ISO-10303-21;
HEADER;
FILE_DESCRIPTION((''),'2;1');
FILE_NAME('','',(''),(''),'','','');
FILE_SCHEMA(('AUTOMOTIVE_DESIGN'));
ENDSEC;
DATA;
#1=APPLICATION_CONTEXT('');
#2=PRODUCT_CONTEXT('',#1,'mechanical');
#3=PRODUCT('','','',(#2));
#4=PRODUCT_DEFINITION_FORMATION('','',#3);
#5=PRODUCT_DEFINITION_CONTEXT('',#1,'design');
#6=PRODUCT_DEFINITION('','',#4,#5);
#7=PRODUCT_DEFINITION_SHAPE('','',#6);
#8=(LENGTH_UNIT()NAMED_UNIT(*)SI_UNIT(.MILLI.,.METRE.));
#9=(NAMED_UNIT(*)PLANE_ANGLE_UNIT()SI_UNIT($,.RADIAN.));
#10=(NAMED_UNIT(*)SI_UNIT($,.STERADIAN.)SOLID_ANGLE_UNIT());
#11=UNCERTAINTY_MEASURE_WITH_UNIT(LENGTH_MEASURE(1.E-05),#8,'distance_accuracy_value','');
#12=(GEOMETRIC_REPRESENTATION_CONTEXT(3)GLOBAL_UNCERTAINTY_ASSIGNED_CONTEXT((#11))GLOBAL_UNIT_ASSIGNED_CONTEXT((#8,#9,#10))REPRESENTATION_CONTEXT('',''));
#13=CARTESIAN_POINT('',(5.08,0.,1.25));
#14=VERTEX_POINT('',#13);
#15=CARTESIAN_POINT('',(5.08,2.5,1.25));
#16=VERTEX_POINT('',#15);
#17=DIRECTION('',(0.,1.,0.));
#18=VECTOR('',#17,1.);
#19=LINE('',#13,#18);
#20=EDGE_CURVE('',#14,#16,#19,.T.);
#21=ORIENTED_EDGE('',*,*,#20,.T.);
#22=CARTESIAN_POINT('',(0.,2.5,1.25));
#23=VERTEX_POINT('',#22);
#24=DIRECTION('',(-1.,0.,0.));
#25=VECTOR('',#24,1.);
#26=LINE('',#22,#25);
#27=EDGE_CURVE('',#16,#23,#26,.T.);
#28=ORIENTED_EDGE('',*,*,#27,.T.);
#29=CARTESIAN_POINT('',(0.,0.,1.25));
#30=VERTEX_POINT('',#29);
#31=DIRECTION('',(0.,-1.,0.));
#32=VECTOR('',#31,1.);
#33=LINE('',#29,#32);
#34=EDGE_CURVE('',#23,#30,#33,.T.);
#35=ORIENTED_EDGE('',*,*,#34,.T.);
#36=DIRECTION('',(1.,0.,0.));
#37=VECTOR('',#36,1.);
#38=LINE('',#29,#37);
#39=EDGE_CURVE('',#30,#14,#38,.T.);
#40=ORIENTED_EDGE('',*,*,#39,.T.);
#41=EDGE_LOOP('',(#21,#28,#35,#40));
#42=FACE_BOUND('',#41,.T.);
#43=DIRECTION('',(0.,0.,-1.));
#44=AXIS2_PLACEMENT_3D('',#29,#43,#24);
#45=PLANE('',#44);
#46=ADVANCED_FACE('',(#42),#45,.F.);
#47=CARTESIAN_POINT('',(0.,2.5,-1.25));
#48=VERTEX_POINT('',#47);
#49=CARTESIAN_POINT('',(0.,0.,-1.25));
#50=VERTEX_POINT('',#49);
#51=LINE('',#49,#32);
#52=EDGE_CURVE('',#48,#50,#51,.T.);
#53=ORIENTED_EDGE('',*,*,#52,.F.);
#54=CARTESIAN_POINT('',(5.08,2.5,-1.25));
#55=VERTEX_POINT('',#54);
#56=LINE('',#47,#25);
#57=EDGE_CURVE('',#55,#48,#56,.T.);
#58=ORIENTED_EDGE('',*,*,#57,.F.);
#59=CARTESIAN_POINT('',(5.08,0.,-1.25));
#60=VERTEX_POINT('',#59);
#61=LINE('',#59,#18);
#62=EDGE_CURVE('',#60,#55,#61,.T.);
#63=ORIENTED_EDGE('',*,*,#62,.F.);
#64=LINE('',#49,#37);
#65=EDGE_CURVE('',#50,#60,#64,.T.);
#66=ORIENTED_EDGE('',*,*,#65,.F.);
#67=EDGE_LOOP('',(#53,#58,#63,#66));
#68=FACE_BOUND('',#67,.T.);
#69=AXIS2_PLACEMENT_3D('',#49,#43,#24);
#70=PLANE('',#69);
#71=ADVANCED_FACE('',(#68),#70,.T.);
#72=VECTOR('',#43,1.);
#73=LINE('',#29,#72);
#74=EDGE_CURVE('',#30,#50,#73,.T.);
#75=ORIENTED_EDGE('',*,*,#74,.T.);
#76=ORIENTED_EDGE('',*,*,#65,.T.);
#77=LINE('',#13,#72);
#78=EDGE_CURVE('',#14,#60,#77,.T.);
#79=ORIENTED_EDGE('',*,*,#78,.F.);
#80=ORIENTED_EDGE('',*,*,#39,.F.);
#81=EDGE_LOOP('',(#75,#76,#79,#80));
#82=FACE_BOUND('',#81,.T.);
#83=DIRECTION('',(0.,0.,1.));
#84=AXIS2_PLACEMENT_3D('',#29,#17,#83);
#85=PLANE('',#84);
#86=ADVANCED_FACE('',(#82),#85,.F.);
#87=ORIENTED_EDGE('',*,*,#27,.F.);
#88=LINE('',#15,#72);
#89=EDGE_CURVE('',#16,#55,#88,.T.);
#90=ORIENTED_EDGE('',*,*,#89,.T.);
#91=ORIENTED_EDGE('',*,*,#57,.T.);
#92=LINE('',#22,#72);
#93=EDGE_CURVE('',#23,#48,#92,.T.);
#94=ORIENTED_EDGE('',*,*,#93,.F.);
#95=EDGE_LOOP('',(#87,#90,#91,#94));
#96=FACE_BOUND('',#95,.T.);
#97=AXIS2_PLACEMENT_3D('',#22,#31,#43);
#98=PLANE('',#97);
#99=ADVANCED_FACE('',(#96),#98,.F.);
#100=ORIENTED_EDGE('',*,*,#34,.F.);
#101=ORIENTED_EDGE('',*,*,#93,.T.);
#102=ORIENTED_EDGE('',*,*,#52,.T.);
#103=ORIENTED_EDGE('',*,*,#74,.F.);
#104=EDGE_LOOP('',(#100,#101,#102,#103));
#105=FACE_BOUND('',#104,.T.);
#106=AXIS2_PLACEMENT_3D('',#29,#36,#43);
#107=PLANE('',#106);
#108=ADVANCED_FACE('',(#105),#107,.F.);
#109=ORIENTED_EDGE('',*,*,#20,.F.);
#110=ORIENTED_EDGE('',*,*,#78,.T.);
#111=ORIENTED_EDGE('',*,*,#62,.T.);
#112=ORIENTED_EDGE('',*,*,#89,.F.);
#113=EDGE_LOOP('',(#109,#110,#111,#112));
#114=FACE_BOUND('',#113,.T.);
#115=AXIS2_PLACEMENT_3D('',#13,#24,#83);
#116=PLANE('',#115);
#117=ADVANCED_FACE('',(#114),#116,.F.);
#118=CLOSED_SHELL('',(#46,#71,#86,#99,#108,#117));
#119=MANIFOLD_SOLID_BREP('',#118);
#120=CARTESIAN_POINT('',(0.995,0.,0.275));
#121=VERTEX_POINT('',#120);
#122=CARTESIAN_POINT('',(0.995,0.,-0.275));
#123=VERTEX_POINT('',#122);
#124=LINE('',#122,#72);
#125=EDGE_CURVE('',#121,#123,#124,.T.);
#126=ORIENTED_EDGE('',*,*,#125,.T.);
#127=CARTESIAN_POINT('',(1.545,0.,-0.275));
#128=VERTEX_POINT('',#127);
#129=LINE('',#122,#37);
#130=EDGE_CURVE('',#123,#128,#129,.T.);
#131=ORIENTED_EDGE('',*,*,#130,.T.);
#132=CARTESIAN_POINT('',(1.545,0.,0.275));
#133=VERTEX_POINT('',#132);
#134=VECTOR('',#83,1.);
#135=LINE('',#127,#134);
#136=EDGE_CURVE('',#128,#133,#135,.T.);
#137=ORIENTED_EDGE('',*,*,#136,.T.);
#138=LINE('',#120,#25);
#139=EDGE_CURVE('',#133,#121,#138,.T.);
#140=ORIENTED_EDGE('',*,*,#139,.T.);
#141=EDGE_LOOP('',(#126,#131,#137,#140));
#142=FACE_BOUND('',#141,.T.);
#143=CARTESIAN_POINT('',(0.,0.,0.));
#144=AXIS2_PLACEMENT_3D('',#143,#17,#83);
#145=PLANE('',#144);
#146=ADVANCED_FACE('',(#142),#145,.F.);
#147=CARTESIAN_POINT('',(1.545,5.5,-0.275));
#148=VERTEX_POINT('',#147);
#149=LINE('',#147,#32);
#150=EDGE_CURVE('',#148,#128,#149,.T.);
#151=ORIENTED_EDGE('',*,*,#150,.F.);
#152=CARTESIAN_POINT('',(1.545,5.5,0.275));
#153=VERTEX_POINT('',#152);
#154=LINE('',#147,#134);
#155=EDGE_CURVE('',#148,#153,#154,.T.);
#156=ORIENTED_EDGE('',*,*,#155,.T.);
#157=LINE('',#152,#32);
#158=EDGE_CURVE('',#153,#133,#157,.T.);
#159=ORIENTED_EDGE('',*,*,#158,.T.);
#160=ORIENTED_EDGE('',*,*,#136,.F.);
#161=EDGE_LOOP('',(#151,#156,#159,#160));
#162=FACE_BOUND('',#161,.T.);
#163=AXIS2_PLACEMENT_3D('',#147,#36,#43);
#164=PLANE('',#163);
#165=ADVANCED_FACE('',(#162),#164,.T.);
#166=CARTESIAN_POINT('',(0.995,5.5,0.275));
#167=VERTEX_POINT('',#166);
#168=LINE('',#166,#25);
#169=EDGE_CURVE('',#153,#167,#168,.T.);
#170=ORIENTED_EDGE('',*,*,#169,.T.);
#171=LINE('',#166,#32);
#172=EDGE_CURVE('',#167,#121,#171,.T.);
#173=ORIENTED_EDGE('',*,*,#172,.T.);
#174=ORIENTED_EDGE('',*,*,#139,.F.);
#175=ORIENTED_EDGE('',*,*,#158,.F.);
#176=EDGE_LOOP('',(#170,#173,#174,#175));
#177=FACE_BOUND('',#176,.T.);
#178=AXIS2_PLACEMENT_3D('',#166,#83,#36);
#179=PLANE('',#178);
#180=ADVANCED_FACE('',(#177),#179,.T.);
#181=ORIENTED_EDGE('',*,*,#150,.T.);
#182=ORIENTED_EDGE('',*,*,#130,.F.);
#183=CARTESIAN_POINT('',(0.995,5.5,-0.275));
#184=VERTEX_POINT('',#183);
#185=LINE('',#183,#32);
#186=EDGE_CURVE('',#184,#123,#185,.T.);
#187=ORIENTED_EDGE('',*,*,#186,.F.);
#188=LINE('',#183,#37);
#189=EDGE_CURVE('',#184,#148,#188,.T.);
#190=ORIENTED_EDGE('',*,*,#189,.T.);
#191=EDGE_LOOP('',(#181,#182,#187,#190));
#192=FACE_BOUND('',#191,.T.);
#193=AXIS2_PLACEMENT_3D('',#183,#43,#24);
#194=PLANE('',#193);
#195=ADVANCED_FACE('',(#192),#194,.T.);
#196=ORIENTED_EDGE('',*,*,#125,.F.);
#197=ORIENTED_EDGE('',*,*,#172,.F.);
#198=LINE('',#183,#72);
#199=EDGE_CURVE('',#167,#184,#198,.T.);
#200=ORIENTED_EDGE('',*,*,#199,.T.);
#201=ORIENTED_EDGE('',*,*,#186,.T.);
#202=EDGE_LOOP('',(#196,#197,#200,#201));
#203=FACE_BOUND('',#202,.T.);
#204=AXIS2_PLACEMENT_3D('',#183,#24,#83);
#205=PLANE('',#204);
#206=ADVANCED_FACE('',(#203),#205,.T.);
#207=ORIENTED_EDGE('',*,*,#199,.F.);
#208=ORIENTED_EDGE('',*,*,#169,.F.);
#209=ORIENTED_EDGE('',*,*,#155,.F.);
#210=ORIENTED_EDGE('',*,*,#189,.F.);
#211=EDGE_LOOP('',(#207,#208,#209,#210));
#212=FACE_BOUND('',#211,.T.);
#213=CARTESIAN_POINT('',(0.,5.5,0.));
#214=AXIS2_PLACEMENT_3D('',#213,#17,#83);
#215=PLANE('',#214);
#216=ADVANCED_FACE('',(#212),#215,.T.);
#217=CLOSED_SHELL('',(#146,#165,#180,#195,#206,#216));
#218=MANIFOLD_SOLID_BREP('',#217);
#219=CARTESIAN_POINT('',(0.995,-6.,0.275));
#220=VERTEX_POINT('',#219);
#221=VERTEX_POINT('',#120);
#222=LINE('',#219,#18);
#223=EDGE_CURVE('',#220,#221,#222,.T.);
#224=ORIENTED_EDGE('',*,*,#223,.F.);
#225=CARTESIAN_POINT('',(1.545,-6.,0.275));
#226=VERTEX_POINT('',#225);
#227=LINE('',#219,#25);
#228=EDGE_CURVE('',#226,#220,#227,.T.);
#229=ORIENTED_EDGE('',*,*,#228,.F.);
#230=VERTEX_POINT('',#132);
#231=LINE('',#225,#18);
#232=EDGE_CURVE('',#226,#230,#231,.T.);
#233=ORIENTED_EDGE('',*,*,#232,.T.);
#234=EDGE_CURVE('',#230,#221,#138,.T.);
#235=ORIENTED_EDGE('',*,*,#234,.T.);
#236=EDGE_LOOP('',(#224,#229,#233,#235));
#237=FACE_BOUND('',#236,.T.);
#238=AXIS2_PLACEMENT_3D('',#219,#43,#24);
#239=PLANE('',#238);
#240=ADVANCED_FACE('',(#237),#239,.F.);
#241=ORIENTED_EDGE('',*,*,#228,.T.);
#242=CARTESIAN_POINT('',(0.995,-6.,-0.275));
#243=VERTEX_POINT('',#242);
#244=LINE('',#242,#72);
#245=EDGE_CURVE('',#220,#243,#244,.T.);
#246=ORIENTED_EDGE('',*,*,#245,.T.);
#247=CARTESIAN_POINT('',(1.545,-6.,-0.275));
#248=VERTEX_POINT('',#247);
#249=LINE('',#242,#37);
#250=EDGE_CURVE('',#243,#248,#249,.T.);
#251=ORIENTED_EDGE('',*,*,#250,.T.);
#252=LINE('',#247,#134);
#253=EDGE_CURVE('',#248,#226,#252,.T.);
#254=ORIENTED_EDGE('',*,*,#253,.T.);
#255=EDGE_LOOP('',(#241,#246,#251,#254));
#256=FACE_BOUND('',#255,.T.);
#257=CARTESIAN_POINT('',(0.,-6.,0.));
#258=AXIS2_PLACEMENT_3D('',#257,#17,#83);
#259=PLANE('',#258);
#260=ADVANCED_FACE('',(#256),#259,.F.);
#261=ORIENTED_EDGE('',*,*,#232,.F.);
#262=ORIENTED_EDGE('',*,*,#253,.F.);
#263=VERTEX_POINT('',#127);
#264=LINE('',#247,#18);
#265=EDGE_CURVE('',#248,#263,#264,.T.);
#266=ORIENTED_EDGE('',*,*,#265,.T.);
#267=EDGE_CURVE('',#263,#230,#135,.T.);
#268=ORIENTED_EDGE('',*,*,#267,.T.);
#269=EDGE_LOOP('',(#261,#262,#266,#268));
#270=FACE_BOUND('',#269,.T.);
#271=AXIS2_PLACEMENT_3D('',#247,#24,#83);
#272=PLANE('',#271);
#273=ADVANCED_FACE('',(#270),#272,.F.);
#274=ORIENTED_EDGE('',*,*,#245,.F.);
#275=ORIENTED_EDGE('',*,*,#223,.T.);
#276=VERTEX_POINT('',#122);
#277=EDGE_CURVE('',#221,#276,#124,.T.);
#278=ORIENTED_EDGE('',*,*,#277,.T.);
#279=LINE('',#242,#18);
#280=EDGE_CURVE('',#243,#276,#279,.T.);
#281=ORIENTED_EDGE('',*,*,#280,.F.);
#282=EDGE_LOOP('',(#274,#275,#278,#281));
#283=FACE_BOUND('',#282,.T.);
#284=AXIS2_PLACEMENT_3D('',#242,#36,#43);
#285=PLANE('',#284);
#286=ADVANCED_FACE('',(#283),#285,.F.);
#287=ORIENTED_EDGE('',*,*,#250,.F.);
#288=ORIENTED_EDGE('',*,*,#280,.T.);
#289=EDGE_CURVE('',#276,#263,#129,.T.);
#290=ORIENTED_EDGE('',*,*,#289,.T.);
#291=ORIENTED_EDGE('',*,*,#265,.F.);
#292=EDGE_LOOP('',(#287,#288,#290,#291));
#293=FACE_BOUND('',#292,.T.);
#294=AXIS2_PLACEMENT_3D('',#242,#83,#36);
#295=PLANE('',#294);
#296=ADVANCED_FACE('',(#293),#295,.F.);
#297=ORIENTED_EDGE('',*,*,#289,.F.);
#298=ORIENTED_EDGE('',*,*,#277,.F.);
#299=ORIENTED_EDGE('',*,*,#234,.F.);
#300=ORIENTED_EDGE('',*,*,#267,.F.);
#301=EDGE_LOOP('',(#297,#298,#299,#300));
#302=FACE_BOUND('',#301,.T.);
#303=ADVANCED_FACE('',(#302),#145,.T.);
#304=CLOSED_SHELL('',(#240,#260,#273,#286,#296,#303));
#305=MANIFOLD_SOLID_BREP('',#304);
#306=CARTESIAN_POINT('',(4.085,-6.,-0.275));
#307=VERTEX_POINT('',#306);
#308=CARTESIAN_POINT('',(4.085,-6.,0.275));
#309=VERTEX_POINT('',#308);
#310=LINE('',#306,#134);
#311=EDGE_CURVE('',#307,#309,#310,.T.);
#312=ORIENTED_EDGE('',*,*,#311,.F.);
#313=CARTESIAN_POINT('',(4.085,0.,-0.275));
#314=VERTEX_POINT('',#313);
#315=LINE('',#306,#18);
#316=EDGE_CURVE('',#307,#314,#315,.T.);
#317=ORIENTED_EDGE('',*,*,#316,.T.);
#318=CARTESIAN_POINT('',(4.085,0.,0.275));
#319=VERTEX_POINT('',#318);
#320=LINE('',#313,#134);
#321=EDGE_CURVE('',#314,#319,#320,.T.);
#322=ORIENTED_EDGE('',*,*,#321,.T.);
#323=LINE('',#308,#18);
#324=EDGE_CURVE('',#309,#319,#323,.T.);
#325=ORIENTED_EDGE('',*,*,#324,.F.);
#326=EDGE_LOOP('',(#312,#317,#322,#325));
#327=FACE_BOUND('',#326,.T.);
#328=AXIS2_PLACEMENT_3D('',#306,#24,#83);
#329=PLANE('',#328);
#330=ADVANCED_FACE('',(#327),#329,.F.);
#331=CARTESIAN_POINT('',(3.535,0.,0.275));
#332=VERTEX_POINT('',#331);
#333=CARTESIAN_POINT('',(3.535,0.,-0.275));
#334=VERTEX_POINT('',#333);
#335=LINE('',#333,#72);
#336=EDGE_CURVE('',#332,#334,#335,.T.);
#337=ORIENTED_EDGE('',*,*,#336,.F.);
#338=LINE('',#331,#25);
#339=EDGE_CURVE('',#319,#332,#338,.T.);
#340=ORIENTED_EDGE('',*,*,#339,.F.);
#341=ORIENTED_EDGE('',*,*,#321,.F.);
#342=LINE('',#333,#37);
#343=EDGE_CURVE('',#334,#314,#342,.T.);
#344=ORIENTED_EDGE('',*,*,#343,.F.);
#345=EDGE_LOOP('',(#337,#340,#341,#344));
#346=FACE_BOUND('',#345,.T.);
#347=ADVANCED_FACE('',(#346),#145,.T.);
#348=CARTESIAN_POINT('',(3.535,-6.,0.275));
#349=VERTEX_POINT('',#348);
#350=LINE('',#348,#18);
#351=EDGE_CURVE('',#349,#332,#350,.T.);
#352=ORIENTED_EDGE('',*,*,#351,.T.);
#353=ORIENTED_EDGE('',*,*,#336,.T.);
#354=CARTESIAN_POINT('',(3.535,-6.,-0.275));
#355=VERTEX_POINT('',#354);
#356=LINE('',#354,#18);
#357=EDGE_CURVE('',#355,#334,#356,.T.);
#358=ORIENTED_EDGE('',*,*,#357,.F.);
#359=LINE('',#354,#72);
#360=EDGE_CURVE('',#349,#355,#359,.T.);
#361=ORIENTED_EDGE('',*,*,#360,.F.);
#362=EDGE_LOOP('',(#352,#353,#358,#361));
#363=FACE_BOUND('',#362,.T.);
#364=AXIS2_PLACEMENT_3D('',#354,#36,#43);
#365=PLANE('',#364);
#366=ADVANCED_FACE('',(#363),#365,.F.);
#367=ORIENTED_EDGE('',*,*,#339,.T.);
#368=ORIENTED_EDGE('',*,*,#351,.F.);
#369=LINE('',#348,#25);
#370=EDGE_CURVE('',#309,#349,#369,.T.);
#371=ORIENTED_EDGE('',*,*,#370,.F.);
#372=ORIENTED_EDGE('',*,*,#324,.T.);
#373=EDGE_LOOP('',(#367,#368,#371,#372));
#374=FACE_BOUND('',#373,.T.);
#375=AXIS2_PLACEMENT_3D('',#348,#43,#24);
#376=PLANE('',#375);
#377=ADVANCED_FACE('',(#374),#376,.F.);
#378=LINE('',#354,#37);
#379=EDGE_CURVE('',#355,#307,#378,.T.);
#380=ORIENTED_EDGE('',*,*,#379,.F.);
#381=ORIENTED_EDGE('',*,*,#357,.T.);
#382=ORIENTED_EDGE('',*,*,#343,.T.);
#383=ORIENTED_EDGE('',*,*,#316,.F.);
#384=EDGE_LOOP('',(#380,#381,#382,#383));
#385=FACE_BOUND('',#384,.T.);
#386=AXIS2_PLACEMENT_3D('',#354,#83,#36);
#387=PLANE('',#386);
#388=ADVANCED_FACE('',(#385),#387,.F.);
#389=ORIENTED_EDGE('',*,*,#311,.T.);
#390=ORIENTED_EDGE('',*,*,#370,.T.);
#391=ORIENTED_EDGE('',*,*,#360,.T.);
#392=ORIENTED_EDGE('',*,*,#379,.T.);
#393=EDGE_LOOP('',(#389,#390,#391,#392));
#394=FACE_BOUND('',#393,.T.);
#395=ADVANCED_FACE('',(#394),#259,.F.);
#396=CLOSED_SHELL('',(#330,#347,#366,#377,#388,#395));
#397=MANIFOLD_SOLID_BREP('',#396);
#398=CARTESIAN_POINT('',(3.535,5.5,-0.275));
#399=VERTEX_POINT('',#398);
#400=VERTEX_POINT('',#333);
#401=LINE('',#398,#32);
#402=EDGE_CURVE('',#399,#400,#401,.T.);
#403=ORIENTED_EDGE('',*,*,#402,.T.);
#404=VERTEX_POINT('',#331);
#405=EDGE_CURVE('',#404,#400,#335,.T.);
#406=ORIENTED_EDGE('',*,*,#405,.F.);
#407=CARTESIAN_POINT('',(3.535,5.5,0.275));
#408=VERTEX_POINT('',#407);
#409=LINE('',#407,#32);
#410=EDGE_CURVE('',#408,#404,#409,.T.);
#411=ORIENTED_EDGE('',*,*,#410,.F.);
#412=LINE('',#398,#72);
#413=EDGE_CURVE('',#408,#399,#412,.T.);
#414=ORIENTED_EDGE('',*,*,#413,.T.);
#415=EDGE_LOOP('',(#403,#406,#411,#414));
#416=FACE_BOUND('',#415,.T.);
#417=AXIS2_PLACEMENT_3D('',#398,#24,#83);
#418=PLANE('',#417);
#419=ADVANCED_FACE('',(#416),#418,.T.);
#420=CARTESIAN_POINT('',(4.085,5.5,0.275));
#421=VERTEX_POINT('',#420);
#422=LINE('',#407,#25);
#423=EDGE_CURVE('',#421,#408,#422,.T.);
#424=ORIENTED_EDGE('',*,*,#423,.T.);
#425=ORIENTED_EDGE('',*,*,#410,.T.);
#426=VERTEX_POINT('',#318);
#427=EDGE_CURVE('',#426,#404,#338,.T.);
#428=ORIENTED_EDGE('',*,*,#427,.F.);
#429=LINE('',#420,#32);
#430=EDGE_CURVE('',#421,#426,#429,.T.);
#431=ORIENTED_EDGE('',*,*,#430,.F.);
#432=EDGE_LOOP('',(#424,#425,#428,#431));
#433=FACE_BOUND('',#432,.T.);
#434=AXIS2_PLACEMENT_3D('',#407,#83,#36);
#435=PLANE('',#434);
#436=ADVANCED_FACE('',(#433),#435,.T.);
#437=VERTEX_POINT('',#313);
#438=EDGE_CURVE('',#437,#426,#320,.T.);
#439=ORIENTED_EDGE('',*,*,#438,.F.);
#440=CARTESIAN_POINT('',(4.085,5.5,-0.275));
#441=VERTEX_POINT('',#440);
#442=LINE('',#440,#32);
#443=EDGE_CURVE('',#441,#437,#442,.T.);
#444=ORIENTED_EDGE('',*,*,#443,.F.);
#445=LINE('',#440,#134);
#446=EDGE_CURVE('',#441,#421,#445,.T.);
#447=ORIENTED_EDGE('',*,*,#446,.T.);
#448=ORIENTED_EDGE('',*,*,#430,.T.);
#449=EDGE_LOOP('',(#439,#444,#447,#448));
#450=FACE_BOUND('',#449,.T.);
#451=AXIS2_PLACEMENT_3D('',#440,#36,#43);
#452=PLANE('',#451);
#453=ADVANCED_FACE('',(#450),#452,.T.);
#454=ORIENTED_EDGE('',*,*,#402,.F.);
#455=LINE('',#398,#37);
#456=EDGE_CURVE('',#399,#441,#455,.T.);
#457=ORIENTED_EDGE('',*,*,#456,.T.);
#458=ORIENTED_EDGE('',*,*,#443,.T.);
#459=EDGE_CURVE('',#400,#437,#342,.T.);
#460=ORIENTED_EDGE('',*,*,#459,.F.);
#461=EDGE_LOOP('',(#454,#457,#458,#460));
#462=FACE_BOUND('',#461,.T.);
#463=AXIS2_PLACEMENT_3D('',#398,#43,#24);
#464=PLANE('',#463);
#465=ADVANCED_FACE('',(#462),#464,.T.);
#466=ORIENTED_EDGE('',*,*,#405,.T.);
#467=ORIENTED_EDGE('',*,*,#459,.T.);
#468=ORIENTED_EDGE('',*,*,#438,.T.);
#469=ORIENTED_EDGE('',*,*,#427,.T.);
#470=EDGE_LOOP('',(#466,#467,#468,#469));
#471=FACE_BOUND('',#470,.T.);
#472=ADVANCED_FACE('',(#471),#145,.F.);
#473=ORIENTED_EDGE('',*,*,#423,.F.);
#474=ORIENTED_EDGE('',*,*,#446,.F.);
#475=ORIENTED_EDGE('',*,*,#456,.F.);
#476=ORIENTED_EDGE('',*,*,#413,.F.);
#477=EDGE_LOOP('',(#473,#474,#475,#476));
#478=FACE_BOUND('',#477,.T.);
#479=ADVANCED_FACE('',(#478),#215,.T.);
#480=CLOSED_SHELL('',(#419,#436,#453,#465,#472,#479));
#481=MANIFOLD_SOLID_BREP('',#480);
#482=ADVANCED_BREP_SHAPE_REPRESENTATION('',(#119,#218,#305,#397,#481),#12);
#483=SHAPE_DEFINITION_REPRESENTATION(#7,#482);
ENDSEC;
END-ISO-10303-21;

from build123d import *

# Parameters (mm, degrees)
SKETCH1_W             = 5.08
SKETCH1_H             = 2.5
BOSS_EXTRUDE1_DEPTH   = 1.25
SKETCH2_W             = 0.55
SKETCH2_H             = 0.55
BOSS_EXTRUDE2_DEPTH   = 6
BOSS_EXTRUDE2_2_DEPTH = 6
SKETCH2_2_W           = 0.55
SKETCH2_2_H           = 0.55
BOSS_EXTRUDE3_DEPTH   = 5.5
BOSS_EXTRUDE3_2_DEPTH = 5.5


with BuildPart() as part:
    # Sketch1 → Boss-Extrude1 (new body, symmetric)
    with BuildSketch(Plane.XY):
        with Locations((2.54, 1.25)):
            Rectangle(SKETCH1_W, SKETCH1_H)
    extrude(amount=BOSS_EXTRUDE1_DEPTH, both=True)


with BuildPart() as body_2:
    # Sketch2 → Boss-Extrude2 (new body)
    with BuildSketch(Plane.XZ):
        with Locations((3.81, 0)):
            Rectangle(SKETCH2_W, SKETCH2_H)
    extrude(amount=BOSS_EXTRUDE2_DEPTH)


with BuildPart() as body_3:
    # Sketch2 → Boss-Extrude2 2 (new body)
    with BuildSketch(Plane.XZ):
        with Locations((1.27, 0)):
            Rectangle(SKETCH2_W, SKETCH2_H)
    extrude(amount=BOSS_EXTRUDE2_2_DEPTH)


with BuildPart() as body_4:
    # Sketch2<2> → Boss-Extrude3 (new body)
    with BuildSketch(Plane.XZ):
        with Locations((3.81, 0)):
            Rectangle(SKETCH2_2_W, SKETCH2_2_H)
    extrude(amount=-BOSS_EXTRUDE3_DEPTH)


with BuildPart() as body_5:
    # Sketch2<2> → Boss-Extrude3 2 (new body)
    with BuildSketch(Plane.XZ):
        with Locations((1.27, 0)):
            Rectangle(SKETCH2_2_W, SKETCH2_2_H)
    extrude(amount=-BOSS_EXTRUDE3_2_DEPTH)


solid = Compound([part.part, body_2.part, body_3.part, body_4.part, body_5.part])
